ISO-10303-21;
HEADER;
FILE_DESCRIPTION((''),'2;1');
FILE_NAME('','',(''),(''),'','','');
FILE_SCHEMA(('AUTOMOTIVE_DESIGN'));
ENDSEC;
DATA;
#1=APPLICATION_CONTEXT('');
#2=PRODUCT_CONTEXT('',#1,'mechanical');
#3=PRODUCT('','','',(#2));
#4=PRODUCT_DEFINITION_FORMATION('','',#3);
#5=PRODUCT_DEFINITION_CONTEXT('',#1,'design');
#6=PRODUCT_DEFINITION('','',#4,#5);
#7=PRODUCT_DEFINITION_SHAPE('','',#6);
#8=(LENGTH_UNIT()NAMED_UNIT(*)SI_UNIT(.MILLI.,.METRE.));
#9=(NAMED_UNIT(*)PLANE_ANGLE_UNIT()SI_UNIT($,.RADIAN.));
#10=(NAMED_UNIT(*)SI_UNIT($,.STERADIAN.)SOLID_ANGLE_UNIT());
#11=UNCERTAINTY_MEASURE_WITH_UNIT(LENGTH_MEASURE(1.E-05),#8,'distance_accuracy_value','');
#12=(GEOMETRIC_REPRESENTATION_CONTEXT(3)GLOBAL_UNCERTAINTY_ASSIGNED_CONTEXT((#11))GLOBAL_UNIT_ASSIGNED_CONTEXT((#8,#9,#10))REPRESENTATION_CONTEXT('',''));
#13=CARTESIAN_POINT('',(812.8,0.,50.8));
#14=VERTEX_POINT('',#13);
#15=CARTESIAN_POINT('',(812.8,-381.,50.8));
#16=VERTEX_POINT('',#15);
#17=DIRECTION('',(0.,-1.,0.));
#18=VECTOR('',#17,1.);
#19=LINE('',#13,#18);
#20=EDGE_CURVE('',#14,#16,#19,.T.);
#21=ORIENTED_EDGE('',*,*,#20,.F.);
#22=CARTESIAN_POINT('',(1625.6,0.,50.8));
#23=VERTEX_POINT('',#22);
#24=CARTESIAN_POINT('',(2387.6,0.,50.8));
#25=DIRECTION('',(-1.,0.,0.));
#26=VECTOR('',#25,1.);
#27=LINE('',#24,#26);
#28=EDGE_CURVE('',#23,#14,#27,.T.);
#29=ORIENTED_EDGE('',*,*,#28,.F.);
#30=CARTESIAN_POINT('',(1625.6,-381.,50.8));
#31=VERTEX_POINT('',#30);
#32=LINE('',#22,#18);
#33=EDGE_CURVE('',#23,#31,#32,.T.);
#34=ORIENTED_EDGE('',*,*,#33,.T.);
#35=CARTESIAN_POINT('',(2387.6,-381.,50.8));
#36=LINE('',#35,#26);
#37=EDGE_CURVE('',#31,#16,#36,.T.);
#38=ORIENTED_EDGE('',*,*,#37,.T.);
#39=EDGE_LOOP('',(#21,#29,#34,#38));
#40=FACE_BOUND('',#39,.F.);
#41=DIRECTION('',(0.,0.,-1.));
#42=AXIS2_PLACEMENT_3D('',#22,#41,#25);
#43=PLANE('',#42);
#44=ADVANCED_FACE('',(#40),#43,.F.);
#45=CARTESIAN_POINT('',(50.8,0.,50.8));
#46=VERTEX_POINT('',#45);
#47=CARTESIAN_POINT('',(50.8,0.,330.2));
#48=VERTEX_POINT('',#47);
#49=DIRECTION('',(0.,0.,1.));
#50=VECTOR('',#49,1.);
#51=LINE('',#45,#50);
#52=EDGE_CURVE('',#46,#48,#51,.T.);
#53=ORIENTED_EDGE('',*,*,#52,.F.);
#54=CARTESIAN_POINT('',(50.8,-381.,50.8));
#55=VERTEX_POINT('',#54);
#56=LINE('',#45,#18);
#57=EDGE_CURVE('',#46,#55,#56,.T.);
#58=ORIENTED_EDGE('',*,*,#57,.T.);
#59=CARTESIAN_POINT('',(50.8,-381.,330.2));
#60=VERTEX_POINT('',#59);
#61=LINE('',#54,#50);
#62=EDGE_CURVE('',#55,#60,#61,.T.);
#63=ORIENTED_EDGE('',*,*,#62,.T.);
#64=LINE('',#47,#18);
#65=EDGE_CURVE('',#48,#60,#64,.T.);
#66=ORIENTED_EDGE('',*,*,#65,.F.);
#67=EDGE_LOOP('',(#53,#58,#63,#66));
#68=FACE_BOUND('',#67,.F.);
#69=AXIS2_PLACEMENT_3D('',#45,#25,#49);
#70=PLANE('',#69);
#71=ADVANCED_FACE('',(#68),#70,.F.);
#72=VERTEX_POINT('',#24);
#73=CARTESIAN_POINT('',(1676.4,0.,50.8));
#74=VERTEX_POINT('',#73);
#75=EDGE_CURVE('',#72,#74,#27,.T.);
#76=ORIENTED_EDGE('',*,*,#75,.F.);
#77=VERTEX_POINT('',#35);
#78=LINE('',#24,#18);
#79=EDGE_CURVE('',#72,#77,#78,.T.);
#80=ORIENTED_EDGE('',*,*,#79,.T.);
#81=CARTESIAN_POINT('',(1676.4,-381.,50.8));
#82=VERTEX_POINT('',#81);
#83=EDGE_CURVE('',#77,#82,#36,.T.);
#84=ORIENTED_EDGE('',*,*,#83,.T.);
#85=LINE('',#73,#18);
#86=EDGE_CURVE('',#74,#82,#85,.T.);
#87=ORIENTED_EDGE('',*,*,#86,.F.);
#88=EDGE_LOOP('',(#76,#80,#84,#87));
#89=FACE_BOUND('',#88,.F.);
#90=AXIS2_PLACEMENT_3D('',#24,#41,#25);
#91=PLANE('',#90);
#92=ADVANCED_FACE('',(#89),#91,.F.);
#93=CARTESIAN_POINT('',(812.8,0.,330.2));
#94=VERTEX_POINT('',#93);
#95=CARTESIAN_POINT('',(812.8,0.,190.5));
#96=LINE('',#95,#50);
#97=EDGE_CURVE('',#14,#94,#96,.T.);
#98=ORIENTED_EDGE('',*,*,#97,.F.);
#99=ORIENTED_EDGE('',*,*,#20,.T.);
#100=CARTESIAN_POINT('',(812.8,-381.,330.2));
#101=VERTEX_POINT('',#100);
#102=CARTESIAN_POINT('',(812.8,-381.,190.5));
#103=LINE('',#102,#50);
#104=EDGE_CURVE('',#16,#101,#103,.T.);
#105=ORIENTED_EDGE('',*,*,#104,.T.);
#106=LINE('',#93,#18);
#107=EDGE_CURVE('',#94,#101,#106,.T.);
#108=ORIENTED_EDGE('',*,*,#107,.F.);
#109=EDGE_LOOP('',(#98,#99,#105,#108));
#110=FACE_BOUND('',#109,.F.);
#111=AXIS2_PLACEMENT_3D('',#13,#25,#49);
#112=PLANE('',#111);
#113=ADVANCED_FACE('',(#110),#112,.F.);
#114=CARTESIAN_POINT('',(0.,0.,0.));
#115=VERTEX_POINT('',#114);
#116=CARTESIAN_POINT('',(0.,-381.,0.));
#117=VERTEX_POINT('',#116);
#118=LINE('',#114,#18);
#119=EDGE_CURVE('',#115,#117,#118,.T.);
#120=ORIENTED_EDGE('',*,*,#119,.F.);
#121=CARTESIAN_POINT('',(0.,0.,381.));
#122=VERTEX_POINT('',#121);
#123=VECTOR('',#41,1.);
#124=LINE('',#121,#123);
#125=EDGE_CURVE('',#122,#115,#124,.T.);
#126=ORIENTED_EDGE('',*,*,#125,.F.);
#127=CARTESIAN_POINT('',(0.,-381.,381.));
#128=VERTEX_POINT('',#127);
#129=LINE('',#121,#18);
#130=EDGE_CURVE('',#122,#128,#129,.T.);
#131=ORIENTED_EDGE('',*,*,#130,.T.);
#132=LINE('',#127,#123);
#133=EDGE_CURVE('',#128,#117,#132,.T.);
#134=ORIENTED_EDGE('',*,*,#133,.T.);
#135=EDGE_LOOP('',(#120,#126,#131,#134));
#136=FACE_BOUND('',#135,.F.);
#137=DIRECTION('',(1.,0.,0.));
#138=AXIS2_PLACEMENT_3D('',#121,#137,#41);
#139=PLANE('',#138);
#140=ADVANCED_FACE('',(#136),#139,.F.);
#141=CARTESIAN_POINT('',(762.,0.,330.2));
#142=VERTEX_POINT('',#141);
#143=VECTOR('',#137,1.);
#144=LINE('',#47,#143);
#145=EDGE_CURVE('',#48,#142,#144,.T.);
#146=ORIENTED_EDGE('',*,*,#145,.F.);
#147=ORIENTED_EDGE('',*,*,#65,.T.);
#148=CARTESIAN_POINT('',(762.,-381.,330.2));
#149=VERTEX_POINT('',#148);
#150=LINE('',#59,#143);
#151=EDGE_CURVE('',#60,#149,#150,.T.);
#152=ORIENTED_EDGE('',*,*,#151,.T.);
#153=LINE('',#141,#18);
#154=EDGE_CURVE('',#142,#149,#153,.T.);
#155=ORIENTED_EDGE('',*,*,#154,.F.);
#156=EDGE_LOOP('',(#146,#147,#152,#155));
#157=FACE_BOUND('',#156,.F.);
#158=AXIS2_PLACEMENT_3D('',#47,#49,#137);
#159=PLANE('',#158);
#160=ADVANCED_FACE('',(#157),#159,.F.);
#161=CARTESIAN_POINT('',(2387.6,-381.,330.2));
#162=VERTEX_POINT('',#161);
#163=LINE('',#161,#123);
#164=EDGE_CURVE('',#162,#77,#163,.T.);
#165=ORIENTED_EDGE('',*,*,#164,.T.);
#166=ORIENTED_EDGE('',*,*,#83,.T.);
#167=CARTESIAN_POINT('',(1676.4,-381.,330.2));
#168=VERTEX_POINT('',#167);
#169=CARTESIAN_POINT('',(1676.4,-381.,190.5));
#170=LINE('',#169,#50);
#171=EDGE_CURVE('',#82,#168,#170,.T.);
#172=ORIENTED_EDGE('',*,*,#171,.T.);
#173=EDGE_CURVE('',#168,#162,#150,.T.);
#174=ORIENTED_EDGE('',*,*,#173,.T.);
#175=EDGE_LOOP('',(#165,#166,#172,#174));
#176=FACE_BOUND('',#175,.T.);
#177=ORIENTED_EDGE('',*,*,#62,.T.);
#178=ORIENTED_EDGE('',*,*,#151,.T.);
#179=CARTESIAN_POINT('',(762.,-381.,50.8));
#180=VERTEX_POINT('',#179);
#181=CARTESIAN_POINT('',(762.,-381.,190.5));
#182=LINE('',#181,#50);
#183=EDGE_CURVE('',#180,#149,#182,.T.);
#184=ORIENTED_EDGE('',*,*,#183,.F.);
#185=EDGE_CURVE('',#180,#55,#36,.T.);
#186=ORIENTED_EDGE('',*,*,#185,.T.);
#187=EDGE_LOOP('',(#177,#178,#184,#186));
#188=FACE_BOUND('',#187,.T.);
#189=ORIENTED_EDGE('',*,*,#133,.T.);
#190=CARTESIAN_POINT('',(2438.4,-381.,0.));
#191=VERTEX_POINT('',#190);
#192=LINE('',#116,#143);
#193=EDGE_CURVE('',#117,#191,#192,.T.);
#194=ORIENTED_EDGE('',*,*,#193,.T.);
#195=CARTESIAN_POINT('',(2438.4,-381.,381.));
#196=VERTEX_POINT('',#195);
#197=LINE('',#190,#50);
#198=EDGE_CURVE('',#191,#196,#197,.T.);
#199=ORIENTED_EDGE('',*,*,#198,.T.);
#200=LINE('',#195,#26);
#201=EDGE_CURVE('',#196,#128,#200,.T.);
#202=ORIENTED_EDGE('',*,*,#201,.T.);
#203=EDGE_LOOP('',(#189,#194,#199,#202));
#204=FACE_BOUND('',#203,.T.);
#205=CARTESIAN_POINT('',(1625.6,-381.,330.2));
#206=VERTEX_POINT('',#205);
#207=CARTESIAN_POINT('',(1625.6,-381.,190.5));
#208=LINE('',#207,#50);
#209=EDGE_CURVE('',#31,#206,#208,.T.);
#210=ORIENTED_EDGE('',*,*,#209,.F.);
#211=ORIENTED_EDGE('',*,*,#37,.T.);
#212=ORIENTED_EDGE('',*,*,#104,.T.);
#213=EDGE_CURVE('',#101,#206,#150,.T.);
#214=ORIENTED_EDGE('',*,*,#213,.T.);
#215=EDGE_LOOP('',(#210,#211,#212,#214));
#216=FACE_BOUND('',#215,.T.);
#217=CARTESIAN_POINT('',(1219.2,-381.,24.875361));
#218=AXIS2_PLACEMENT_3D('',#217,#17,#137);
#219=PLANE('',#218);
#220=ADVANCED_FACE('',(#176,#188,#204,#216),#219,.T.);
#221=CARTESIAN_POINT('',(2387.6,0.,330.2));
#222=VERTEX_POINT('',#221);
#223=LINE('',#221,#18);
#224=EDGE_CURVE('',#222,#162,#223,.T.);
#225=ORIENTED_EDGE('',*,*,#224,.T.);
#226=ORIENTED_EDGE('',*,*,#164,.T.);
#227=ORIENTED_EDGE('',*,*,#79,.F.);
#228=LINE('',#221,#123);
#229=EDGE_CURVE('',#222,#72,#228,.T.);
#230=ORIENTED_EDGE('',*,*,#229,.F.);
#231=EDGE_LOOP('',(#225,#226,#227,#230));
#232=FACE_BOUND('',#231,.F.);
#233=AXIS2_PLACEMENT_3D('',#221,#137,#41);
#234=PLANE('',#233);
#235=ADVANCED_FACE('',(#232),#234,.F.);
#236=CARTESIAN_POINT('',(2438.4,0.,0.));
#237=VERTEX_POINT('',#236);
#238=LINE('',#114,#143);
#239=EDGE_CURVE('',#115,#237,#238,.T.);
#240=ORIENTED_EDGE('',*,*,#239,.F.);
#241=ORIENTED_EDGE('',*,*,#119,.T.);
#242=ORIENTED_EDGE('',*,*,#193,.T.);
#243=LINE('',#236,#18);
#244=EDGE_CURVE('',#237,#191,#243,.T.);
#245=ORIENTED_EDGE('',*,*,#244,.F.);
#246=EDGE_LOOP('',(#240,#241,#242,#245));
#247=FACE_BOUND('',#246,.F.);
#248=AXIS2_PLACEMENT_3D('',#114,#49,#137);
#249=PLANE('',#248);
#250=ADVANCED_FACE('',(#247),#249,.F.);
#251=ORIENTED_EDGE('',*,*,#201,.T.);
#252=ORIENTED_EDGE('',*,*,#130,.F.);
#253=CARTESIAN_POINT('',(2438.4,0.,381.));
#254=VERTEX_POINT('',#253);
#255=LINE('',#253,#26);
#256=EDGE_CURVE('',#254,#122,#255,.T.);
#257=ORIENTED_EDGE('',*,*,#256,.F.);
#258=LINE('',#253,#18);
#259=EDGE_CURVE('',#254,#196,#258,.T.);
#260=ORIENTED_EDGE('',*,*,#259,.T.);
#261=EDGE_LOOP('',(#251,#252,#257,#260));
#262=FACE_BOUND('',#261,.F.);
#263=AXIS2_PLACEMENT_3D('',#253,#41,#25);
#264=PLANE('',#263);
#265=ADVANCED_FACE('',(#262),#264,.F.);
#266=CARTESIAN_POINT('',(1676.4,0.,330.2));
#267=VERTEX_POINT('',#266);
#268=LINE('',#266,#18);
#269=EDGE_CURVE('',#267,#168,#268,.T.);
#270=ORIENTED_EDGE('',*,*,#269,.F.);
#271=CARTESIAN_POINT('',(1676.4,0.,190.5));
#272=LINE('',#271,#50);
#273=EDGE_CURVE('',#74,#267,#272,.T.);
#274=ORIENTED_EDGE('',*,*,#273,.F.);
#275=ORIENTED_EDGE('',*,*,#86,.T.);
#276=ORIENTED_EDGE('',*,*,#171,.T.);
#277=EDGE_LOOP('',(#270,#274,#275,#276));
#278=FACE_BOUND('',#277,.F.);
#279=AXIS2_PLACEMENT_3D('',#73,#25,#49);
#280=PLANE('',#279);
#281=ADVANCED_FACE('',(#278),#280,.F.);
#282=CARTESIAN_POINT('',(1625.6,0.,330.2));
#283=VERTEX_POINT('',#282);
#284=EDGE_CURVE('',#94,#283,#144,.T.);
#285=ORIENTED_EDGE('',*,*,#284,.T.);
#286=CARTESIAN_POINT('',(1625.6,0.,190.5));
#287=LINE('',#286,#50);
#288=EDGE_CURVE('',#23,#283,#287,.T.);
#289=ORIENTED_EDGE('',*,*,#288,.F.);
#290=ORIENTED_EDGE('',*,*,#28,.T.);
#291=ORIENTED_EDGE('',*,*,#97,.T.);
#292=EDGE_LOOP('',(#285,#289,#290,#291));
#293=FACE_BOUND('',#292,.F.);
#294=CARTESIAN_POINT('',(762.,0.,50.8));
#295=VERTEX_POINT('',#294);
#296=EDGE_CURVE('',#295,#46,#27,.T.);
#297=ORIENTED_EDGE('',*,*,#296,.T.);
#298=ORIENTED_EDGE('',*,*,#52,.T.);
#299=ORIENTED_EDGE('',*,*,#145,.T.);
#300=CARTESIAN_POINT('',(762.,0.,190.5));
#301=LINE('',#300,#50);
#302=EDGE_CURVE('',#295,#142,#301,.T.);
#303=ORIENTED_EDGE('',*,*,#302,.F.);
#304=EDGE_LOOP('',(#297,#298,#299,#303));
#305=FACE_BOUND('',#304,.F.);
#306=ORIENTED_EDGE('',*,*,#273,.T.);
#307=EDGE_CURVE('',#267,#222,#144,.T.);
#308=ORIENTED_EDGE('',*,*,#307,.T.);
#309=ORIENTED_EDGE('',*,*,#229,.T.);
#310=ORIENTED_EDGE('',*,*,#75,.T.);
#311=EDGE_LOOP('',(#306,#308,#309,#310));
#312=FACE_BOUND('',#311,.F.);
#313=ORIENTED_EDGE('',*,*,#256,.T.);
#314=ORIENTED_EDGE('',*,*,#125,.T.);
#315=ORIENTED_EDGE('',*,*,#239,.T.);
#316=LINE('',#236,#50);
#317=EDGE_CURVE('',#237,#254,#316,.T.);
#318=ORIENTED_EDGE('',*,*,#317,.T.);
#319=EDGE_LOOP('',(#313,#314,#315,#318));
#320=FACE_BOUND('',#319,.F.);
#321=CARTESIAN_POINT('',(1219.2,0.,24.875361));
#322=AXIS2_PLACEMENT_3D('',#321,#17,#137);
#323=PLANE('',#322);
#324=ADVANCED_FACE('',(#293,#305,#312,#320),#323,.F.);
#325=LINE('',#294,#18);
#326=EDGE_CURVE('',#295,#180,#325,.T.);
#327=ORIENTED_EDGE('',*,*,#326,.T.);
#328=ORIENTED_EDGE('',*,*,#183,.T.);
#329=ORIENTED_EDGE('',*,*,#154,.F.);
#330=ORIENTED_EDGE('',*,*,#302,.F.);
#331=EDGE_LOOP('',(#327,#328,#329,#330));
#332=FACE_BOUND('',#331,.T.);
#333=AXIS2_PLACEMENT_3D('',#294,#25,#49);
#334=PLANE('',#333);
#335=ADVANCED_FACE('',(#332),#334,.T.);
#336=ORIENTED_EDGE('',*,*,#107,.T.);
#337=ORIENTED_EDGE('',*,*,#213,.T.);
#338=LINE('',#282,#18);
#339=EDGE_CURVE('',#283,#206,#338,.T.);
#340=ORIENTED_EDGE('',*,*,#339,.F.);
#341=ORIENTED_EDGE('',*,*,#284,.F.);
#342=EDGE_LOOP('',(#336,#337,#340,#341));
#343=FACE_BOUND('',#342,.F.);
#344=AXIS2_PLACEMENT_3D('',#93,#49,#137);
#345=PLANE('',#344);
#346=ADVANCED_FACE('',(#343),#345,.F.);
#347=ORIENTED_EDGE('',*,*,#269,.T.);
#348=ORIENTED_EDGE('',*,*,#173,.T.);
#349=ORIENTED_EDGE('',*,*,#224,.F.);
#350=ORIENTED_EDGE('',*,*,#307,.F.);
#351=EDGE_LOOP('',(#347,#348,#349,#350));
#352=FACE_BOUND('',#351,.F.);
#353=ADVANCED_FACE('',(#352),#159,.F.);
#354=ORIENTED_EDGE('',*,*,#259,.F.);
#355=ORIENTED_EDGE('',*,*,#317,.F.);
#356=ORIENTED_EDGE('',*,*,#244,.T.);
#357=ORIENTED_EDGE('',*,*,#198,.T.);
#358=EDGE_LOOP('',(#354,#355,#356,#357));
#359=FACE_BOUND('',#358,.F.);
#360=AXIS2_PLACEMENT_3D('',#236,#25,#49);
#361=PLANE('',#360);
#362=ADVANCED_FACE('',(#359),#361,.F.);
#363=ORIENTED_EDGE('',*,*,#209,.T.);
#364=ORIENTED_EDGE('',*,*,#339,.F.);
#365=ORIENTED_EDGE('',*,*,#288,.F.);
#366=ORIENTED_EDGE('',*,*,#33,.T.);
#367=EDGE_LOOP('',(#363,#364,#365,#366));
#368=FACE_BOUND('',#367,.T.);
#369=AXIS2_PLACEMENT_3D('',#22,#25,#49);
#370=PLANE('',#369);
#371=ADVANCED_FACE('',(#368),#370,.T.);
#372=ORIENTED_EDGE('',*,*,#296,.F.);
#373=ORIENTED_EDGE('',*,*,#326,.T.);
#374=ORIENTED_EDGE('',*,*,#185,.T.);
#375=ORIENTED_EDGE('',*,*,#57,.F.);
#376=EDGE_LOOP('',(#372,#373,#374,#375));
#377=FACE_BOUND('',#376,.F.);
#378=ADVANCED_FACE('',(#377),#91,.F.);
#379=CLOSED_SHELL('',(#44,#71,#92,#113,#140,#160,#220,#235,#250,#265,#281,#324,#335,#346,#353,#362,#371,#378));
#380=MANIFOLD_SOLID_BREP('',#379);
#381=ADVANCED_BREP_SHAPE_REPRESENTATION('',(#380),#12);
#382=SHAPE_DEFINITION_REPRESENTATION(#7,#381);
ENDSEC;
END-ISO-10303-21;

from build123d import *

# Parameters (mm, degrees)
F1_DEPTH = 381
F0_W     = 50.8
F0_H     = 279.4
F2_DEPTH = 381


with BuildPart() as f1:
    # F0 (on Front) → F1 (new body)
    with BuildSketch(Plane.XZ):
        Polygon((50.8, 50.8), (0, 0), (2438.4, 0), (2387.6, 50.8), (1676.4, 50.8), (1625.6, 50.8), (812.8, 50.8), (762, 50.8), align=None)
        Polygon((0, 381), (0, 0), (50.8, 50.8), (50.8, 330.2), align=None)
        Polygon((2387.6, 50.8), (2438.4, 0), (2438.4, 381), (2387.6, 330.2), align=None)
        Polygon((2438.4, 381), (0, 381), (50.8, 330.2), (762, 330.2), (812.8, 330.2), (1625.6, 330.2), (1676.4, 330.2), (2387.6, 330.2), align=None)
    extrude(amount=F1_DEPTH)

    # F0 (on Front) → F2 (join)
    with BuildSketch(Plane.XZ):
        Polygon((50.8, 50.8), (0, 0), (2438.4, 0), (2387.6, 50.8), (1676.4, 50.8), (1625.6, 50.8), (812.8, 50.8), (762, 50.8), align=None)
        Polygon((0, 381), (0, 0), (50.8, 50.8), (50.8, 330.2), align=None)
        Polygon((2387.6, 50.8), (2438.4, 0), (2438.4, 381), (2387.6, 330.2), align=None)
        Polygon((2438.4, 381), (0, 381), (50.8, 330.2), (762, 330.2), (812.8, 330.2), (1625.6, 330.2), (1676.4, 330.2), (2387.6, 330.2), align=None)
        with Locations((787.4, 190.5)):
            Rectangle(F0_W, F0_H)
        with Locations((1651, 190.5)):
            Rectangle(F0_W, F0_H)
    extrude(amount=F2_DEPTH)


solid = f1.part
